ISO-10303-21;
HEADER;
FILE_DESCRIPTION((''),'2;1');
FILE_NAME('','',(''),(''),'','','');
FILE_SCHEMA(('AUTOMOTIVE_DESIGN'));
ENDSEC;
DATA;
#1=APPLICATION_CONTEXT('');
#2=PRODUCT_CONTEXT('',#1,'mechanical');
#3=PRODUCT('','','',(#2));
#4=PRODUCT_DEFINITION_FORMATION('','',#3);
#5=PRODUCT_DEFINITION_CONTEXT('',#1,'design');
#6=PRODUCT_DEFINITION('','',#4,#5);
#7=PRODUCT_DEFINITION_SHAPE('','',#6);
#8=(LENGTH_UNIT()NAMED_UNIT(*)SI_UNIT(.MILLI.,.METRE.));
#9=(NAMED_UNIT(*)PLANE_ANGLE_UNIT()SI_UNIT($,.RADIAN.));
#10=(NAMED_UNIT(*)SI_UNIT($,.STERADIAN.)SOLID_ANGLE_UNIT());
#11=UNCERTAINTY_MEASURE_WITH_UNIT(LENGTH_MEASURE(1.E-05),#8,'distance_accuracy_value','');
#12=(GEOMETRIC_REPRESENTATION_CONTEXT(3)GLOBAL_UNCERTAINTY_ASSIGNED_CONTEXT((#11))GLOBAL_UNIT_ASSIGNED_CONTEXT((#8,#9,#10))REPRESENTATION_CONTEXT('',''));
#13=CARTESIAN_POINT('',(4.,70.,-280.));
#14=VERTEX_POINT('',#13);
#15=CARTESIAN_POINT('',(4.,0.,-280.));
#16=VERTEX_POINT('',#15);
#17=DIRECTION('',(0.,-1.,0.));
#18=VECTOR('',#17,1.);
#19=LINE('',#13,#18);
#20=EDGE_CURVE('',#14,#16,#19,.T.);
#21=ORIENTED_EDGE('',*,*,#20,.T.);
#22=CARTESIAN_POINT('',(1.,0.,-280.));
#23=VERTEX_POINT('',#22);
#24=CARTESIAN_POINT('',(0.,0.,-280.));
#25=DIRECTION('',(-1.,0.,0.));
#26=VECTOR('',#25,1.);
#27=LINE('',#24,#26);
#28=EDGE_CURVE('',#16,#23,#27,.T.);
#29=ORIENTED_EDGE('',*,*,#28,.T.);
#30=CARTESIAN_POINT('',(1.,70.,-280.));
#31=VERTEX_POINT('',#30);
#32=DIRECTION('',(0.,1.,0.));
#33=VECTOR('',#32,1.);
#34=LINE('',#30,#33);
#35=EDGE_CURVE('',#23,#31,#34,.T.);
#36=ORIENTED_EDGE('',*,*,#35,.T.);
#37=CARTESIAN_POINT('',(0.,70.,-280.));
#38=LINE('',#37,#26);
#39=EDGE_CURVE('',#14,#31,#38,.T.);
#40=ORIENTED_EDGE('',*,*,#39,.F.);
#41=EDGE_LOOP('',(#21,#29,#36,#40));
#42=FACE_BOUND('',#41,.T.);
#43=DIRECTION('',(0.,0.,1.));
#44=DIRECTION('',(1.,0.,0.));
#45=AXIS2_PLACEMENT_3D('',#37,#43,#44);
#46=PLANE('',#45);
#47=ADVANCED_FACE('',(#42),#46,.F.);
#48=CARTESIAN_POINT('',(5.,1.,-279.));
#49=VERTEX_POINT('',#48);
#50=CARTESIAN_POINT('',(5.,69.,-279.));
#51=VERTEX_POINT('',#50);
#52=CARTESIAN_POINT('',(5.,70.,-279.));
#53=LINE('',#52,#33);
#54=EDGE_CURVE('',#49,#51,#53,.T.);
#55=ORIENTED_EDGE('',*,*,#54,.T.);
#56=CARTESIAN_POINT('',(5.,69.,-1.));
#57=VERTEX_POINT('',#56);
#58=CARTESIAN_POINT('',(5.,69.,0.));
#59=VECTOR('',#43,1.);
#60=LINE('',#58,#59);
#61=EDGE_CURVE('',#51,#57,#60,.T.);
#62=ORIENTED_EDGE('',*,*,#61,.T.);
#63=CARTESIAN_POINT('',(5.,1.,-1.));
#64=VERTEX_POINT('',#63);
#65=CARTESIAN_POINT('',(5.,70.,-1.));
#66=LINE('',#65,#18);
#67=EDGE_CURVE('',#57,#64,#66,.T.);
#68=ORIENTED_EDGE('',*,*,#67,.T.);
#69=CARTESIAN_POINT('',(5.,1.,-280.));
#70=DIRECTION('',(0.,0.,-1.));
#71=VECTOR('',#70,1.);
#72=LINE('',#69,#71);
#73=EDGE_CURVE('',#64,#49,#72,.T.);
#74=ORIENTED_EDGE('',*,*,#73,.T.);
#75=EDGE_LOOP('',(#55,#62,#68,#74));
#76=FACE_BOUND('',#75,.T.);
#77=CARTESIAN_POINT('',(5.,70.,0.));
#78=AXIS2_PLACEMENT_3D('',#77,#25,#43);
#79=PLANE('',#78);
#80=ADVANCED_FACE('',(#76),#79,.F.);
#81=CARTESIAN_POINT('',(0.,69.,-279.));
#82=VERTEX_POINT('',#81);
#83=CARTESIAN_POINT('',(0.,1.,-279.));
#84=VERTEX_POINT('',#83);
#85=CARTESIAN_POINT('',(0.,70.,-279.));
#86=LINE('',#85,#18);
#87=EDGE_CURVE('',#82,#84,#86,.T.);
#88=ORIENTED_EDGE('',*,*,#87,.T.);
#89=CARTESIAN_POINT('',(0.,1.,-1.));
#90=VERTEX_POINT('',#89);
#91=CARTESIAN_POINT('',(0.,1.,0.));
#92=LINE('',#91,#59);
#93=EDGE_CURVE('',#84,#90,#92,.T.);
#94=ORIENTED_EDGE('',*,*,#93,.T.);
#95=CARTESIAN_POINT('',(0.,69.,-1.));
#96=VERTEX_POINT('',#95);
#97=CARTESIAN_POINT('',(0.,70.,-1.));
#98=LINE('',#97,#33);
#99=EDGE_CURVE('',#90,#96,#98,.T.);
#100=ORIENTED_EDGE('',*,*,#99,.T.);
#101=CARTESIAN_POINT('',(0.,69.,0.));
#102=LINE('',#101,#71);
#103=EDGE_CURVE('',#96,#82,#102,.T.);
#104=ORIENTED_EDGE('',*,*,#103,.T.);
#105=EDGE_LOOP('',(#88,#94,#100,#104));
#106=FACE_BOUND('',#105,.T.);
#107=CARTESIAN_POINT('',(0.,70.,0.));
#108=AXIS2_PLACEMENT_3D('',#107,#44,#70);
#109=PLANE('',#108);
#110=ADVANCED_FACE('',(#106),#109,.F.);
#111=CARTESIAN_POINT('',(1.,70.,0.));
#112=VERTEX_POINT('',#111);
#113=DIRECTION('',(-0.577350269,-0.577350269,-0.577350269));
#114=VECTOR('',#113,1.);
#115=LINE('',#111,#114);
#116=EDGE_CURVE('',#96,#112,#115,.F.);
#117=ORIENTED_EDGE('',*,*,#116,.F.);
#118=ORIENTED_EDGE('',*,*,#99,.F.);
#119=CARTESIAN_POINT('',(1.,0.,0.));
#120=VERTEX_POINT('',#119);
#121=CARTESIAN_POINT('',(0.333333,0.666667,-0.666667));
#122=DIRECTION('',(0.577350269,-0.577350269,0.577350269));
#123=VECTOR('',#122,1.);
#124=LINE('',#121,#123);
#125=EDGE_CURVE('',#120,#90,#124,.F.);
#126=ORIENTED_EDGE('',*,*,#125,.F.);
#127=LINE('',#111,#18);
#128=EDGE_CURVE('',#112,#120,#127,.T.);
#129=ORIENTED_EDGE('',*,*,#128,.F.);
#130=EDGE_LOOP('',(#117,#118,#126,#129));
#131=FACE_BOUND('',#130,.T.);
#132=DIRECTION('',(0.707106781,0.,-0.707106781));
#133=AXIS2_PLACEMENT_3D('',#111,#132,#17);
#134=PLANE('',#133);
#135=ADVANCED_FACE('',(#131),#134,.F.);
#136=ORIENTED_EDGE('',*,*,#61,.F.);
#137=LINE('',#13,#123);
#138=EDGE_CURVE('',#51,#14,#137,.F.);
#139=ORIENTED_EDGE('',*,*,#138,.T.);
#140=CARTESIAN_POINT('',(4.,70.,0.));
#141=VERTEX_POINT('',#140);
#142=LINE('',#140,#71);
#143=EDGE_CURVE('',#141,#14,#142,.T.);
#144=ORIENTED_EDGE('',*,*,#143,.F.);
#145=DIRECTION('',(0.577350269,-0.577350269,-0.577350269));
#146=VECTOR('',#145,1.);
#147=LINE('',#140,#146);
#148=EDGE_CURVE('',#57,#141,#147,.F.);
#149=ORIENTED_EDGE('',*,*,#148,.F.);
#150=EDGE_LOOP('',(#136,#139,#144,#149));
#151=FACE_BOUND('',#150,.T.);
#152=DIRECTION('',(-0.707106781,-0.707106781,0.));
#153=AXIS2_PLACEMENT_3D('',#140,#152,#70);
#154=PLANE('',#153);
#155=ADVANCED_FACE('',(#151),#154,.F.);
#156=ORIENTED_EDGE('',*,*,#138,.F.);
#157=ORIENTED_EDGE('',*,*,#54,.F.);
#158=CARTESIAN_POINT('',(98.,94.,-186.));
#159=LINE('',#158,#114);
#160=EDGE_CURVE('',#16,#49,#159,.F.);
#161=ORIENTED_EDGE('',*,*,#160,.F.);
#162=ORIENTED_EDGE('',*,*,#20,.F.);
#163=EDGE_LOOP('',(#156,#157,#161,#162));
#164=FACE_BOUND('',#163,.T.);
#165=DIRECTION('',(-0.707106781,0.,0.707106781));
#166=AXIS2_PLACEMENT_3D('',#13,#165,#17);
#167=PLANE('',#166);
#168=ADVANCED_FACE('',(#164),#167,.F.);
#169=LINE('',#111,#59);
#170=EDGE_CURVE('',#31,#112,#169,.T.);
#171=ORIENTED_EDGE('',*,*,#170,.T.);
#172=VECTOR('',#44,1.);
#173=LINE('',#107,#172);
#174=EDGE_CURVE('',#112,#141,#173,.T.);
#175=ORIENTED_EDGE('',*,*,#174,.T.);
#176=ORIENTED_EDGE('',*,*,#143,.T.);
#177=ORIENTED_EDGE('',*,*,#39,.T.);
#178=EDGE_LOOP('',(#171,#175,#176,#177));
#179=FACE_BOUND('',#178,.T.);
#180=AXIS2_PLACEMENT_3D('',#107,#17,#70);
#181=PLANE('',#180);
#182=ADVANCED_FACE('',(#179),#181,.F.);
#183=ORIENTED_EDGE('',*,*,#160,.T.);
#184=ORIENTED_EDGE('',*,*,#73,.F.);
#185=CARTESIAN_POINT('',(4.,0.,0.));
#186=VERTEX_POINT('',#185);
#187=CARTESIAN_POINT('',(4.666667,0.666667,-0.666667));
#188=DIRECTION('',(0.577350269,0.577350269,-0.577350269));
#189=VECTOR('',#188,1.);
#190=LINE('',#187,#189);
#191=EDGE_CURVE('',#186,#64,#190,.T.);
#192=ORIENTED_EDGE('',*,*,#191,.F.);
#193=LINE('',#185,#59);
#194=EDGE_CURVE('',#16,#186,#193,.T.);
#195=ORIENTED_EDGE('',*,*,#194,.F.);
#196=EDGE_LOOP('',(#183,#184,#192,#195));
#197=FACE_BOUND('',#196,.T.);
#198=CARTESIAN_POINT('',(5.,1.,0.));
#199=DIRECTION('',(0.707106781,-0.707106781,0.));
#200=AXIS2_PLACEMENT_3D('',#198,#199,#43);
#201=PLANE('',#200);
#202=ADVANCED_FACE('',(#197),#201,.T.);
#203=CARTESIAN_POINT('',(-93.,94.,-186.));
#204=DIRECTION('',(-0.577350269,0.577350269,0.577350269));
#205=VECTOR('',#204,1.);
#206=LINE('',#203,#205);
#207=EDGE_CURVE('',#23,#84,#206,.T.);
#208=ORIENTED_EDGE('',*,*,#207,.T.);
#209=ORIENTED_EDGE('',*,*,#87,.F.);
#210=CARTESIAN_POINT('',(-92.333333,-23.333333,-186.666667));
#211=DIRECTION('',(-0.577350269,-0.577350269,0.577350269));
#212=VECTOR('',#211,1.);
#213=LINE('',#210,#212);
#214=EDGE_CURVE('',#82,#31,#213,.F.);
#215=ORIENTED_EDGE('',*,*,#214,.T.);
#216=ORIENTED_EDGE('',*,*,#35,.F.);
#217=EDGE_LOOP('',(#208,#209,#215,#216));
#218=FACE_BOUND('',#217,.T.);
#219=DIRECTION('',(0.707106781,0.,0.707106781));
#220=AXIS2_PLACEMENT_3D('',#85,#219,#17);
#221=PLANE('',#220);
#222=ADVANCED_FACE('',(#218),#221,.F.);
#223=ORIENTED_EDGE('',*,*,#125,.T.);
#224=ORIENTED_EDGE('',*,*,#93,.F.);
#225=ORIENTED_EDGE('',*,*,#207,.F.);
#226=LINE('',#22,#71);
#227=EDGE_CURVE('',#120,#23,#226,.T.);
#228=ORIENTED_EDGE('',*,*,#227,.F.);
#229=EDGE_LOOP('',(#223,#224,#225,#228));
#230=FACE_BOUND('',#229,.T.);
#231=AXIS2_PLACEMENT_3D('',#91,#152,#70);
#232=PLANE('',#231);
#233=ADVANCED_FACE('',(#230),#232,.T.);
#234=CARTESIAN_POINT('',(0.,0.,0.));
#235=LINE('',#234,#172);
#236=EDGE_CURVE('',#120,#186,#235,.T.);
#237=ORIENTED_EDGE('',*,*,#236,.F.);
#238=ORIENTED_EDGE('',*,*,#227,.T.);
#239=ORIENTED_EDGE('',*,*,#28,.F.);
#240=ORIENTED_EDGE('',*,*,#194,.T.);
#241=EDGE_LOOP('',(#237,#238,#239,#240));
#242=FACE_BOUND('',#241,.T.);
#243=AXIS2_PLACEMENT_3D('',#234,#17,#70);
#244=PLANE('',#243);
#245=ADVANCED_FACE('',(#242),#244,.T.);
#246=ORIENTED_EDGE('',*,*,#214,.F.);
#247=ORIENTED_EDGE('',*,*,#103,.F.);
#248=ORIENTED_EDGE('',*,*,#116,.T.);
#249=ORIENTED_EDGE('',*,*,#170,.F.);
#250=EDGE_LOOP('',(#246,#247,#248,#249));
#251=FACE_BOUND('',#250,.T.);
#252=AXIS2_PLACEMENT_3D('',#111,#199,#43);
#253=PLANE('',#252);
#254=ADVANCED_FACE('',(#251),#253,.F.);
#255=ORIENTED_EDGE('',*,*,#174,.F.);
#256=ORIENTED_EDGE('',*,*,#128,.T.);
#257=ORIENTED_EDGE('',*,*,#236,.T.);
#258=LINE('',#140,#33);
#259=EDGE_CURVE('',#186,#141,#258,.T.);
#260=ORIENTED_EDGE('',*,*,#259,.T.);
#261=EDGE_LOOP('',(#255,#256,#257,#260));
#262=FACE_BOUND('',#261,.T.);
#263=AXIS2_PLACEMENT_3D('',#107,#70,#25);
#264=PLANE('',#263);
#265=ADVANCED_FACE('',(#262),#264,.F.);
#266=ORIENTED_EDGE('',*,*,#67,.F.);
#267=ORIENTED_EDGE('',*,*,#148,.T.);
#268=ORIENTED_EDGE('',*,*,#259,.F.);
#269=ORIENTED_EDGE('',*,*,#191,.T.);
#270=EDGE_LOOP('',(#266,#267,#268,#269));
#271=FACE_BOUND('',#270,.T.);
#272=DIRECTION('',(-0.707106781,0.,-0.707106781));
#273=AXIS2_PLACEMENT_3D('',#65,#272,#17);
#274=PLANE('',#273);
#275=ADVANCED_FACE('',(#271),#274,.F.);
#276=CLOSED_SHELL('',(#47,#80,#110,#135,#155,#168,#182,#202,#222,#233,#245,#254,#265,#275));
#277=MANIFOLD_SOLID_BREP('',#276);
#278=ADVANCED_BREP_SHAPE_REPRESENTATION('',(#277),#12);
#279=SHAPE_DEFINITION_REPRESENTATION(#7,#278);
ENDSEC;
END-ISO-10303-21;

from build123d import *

# Parameters (mm, degrees)
SKETCH1_W           = 5
SKETCH1_H           = 280
BOSS_EXTRUDE1_DEPTH = 70
CHAMFER2_SIZE       = 1


with BuildPart() as part:
    # Sketch1 → Boss-Extrude1 (new body)
    with BuildSketch(Plane(origin=(0, 0, 0), x_dir=(1, 0, 0), z_dir=(0, 1, 0))):
        with Locations((2.5, 140)):
            Rectangle(SKETCH1_W, SKETCH1_H)
    extrude(amount=BOSS_EXTRUDE1_DEPTH)

    # Chamfer2
    chamfer2_edges = [part.edges().sort_by_distance(p)[0] for p in [
        (5, 70, -140),
        (0, 70, -140),
        (5, 0, -140),
        (0, 0, -140),
        (0, 35, -280),
        (5, 35, -280),
        (5, 35, 0),
        (0, 35, 0),
    ]]
    chamfer(chamfer2_edges, length=CHAMFER2_SIZE)


solid = part.part
